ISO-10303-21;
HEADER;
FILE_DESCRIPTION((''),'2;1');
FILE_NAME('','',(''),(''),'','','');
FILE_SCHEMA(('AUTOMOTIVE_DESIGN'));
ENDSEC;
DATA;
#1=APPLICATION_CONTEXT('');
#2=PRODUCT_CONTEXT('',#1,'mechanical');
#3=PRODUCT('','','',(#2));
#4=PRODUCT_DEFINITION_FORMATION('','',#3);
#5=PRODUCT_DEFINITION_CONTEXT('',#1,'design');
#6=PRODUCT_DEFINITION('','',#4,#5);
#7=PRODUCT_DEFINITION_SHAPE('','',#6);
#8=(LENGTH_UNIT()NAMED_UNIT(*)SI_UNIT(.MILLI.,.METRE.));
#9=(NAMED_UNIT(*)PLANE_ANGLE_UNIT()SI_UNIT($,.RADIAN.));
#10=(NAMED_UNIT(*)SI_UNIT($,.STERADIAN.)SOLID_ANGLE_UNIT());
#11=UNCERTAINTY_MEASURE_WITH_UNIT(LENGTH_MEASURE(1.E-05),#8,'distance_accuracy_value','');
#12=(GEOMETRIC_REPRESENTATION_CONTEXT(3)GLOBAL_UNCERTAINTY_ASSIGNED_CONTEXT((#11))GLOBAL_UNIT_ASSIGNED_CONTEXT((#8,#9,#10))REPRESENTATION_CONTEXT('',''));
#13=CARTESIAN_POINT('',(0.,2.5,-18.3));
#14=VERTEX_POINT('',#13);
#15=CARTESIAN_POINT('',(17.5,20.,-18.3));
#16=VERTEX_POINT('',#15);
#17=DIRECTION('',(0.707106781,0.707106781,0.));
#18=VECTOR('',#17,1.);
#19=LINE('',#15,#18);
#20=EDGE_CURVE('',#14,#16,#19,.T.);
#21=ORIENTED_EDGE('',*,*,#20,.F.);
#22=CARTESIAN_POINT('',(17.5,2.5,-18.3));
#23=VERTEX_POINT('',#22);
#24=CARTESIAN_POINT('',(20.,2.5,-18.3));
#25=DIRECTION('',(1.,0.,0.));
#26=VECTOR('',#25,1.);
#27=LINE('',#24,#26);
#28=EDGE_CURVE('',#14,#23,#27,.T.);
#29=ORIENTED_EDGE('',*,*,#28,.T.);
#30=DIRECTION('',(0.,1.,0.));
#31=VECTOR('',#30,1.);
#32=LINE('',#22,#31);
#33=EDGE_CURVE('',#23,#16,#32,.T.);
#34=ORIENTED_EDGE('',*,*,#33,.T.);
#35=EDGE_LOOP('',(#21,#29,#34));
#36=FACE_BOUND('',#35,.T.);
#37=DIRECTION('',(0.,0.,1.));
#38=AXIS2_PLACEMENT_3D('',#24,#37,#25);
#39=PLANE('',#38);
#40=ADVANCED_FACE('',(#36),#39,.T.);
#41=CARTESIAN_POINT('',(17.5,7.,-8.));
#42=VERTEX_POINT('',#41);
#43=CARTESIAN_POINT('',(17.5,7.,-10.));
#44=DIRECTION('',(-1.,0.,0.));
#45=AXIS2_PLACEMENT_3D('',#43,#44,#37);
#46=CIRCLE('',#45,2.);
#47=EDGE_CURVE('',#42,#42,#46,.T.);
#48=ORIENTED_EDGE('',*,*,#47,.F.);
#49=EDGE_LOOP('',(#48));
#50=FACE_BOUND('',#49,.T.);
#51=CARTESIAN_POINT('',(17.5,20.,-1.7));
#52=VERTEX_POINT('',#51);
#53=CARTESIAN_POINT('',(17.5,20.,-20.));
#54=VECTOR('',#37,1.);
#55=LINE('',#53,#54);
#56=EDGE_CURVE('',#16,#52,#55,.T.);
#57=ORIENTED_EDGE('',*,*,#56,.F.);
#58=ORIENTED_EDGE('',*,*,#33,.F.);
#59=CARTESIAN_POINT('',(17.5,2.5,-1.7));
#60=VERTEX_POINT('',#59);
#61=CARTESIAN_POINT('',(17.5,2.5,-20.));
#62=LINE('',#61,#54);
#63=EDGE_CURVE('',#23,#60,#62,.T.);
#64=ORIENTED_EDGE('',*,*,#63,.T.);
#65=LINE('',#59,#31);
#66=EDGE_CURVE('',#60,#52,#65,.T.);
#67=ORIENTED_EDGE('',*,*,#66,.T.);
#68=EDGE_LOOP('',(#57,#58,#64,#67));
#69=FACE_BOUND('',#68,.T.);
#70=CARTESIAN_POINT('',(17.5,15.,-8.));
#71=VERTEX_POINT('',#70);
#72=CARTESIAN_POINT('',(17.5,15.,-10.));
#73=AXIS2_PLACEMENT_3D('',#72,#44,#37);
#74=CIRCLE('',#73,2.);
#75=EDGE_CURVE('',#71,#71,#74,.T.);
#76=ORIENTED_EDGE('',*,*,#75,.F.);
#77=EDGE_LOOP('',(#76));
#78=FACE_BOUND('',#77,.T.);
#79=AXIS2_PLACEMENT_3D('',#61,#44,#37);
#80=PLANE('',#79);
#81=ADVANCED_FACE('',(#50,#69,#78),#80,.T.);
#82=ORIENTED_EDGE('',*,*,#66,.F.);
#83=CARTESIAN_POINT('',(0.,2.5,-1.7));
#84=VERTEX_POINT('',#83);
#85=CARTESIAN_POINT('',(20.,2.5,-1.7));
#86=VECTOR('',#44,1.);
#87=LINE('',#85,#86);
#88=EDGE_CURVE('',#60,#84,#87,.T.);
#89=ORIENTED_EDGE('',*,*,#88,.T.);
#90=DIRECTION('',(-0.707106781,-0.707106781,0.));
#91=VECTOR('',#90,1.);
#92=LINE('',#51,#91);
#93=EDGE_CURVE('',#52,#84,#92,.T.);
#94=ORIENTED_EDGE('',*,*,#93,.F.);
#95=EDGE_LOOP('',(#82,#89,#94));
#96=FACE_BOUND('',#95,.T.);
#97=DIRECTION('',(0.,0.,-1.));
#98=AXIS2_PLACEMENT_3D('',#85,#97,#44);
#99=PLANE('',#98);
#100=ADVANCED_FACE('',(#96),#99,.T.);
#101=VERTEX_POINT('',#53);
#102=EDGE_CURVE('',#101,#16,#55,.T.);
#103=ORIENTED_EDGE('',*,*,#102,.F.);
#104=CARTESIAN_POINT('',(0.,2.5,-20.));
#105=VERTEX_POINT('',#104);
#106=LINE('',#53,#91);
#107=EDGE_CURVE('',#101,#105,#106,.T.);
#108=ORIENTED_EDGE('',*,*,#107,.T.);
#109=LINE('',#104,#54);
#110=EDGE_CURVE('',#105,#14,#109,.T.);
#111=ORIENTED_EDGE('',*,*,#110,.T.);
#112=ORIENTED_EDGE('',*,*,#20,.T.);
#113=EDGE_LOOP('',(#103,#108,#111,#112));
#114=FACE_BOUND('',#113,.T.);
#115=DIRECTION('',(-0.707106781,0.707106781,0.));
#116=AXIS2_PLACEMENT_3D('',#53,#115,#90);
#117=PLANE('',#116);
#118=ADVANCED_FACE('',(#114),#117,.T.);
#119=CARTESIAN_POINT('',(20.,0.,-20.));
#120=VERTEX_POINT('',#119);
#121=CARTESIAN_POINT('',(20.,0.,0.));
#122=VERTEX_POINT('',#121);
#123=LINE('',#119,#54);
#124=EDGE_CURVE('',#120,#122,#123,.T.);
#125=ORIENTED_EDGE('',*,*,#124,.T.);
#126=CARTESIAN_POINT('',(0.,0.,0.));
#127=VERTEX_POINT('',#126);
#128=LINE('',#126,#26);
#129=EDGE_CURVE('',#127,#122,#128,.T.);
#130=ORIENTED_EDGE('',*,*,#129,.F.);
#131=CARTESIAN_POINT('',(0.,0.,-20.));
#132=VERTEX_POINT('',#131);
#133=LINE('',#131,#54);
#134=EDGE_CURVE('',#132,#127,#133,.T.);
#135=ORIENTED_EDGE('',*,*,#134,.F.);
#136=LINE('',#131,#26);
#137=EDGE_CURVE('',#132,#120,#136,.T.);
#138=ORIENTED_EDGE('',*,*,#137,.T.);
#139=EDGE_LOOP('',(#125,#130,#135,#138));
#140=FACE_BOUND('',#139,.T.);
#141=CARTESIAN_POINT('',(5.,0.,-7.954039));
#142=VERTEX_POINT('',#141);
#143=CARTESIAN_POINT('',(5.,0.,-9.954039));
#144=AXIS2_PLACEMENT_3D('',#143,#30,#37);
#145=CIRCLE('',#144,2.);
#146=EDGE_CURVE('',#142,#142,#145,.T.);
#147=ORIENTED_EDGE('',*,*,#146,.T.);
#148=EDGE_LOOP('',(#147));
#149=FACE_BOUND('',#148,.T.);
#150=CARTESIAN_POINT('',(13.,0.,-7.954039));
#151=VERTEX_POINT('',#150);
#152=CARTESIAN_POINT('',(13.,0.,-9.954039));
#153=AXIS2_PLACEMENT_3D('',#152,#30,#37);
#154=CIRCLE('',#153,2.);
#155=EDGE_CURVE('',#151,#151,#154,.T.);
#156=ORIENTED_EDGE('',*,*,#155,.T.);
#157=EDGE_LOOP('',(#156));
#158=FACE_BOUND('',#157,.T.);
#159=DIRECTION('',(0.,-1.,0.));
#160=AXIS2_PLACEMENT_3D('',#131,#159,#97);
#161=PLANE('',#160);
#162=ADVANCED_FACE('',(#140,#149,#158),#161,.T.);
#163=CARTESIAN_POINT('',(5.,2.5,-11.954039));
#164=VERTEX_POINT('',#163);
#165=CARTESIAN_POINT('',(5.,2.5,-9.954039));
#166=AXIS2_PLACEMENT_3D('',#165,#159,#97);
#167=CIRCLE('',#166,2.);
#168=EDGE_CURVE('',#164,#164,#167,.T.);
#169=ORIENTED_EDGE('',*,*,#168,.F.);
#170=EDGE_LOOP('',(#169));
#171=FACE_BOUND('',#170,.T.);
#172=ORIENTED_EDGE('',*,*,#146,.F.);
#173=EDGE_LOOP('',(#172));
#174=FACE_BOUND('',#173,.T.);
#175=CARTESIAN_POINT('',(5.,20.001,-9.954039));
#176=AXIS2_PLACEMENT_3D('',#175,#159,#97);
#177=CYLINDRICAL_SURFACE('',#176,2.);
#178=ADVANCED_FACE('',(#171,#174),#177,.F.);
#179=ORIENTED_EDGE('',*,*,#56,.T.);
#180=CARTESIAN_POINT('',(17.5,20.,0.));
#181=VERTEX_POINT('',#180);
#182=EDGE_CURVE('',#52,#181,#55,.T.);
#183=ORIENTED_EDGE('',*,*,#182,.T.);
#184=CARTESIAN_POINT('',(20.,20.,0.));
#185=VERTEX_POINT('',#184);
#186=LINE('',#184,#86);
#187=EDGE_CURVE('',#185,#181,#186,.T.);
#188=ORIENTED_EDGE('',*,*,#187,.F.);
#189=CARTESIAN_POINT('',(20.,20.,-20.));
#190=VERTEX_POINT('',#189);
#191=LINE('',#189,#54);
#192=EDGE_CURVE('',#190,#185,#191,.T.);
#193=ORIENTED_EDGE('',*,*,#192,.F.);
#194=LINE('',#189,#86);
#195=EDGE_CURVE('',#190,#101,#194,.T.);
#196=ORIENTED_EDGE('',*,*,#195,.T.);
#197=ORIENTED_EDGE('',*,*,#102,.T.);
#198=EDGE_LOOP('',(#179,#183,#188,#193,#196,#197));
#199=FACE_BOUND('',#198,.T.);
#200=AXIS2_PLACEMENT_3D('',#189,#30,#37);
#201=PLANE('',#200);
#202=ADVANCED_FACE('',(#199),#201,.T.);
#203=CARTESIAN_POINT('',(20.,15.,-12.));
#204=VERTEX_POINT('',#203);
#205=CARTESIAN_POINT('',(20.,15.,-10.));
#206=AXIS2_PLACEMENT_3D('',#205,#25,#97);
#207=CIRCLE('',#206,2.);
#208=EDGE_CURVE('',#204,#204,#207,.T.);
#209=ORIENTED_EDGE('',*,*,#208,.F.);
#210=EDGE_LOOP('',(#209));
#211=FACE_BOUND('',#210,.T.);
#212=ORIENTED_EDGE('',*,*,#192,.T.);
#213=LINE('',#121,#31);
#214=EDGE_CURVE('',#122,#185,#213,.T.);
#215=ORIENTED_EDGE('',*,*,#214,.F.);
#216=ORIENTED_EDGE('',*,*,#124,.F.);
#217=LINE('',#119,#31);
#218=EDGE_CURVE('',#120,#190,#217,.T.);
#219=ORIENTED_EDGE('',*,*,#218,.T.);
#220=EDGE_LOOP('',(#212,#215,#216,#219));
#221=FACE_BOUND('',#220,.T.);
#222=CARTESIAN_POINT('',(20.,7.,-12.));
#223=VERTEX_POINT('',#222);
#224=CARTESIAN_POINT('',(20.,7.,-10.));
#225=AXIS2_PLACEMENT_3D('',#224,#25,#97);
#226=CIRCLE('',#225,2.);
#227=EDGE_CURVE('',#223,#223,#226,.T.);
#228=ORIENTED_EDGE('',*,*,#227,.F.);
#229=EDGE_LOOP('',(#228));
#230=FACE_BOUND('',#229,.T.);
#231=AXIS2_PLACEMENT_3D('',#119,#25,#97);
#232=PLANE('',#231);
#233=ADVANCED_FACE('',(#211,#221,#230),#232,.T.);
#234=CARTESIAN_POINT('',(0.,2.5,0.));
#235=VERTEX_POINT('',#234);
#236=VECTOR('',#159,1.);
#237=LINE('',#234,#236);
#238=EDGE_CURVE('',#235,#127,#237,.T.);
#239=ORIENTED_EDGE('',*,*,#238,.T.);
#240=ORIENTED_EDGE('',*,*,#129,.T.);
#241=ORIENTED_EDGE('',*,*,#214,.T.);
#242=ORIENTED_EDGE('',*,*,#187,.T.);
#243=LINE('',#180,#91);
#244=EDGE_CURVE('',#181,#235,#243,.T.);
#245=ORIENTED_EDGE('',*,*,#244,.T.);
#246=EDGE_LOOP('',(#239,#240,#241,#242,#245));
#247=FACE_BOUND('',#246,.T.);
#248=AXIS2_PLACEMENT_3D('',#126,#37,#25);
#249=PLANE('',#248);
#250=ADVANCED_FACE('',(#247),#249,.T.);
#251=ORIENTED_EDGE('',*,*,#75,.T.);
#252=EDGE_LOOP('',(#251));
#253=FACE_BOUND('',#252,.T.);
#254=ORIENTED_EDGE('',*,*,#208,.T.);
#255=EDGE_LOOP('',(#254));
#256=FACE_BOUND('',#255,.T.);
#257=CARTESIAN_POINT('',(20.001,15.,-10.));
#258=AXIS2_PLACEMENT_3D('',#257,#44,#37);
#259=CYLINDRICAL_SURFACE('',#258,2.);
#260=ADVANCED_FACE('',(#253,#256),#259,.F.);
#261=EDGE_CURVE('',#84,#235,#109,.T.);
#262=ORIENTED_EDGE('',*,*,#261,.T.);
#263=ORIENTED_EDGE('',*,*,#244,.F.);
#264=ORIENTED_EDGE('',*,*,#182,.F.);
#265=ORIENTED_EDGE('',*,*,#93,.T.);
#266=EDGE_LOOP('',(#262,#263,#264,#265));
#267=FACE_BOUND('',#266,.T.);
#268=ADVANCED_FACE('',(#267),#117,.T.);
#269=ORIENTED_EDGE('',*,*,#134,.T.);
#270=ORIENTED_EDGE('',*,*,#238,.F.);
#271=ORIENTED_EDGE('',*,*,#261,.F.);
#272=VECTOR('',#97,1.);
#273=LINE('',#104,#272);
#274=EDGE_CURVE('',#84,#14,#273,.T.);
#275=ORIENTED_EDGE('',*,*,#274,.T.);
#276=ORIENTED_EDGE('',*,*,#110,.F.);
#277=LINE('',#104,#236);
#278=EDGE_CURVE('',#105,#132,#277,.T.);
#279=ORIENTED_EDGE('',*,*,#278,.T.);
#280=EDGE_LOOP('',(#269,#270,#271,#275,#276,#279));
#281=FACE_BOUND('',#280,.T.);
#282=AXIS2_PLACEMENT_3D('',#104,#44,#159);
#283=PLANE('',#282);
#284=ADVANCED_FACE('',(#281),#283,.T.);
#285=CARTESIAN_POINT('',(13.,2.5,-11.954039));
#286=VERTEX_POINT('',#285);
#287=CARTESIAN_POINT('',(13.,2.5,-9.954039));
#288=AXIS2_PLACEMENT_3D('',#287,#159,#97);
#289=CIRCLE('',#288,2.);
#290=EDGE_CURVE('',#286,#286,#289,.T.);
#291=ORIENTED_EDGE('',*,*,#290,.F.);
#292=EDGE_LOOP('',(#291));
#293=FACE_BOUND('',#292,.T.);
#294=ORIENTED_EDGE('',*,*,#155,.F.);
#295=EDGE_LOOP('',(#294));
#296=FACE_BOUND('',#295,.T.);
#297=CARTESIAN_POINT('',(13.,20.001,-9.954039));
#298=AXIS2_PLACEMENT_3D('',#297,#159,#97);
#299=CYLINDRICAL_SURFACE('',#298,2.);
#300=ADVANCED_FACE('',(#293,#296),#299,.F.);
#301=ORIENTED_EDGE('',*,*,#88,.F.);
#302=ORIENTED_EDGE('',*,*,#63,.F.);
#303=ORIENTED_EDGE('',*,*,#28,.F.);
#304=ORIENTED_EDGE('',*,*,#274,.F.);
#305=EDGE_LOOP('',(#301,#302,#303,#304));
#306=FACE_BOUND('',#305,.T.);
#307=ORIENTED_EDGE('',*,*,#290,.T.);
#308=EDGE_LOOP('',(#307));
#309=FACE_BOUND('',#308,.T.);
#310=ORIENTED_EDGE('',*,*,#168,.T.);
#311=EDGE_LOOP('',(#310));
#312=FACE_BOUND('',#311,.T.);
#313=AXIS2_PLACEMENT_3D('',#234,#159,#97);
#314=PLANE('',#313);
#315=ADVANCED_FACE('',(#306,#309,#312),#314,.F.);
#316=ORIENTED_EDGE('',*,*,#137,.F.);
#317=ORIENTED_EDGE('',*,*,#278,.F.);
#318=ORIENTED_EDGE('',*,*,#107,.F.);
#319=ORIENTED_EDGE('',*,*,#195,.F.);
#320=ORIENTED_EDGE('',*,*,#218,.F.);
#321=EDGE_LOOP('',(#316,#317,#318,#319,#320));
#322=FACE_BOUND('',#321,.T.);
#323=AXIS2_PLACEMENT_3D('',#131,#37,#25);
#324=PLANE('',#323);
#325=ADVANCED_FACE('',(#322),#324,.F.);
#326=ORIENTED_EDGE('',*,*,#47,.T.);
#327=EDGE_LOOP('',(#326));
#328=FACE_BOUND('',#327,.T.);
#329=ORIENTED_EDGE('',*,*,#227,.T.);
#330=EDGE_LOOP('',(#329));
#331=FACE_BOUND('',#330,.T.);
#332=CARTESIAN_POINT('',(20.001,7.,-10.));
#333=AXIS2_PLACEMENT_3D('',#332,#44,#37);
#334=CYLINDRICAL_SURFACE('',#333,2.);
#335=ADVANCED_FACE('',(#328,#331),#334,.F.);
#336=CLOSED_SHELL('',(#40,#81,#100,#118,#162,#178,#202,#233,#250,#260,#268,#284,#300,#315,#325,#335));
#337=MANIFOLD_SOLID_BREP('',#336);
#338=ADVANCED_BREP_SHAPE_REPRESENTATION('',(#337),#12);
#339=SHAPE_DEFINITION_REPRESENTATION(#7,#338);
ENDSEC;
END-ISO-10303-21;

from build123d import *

# Parameters (mm, degrees)
EXTRUDE_1_DEPTH     = 20
CUT_EXTRUDE_START   = 20
SKETCH_2_W          = 17.5
SKETCH_2_H          = 16.6
CUT_EXTRUDE_1_DEPTH = 17.5
CUT_EXTRUDE_2_REACH = 36.641
SKETCH_3_R          = 2
CUT_EXTRUDE_3_REACH = 36.641
SKETCH_4_R          = 2


with BuildPart() as part:
    # 草图1 → 凸台-拉伸1 (new body)
    with BuildSketch(Plane.XY):
        Polygon((0, 0), (20, 0), (20, 20), (17.5, 20), (0, 2.5), align=None)
    extrude(amount=-EXTRUDE_1_DEPTH)

    # 草图2 → 切除-拉伸1 (cut)
    with BuildSketch(Plane(origin=(0, 0, 0), x_dir=(1, 0, 0), z_dir=(0, 1, 0)).offset(CUT_EXTRUDE_START)):
        with Locations((8.75, 10)):
            Rectangle(SKETCH_2_W, SKETCH_2_H)
    extrude(amount=-CUT_EXTRUDE_1_DEPTH, mode=Mode.SUBTRACT)

    # 草图3 → 切除-拉伸2 (cut, up to next)
    with BuildSketch(Plane(origin=(0, 0, 0), x_dir=(1, 0, 0), z_dir=(0, 1, 0)), mode=Mode.PRIVATE) as cut_extrude_2_sk1:
        with Locations(Location((5, 9.954039482, 0), (0, 0, 90))):
            Circle(SKETCH_3_R)
    cut_extrude_2_tool1 = extrude(cut_extrude_2_sk1.sketch, amount=CUT_EXTRUDE_2_REACH, mode=Mode.PRIVATE) & part.part
    # 草图3 → 切除-拉伸2 (cut, up to next)
    with BuildSketch(Plane(origin=(0, 0, 0), x_dir=(1, 0, 0), z_dir=(0, 1, 0)), mode=Mode.PRIVATE) as cut_extrude_2_sk2:
        with Locations(Location((13, 9.954039482, 0), (0, 0, 90))):
            Circle(SKETCH_3_R)
    cut_extrude_2_tool2 = extrude(cut_extrude_2_sk2.sketch, amount=CUT_EXTRUDE_2_REACH, mode=Mode.PRIVATE) & part.part
    add(cut_extrude_2_tool1.solids().sort_by_distance((5, 0, -9.954039))[0], mode=Mode.SUBTRACT)
    add(cut_extrude_2_tool2.solids().sort_by_distance((13, 0, -9.954039))[0], mode=Mode.SUBTRACT)

    # 草图4 → 切除-拉伸3 (cut, up to next)
    with BuildSketch(Plane(origin=(0, 0, 0), x_dir=(0, 0, -1), z_dir=(1, 0, 0)), mode=Mode.PRIVATE) as cut_extrude_3_sk1:
        with Locations(Location((10, 15, 0), (0, 0, 180))):
            Circle(SKETCH_4_R)
    cut_extrude_3_tool1 = extrude(cut_extrude_3_sk1.sketch, amount=CUT_EXTRUDE_3_REACH, mode=Mode.PRIVATE) & part.part
    # 草图4 → 切除-拉伸3 (cut, up to next)
    with BuildSketch(Plane(origin=(0, 0, 0), x_dir=(0, 0, -1), z_dir=(1, 0, 0)), mode=Mode.PRIVATE) as cut_extrude_3_sk2:
        with Locations(Location((10, 7, 0), (0, 0, 180))):
            Circle(SKETCH_4_R)
    cut_extrude_3_tool2 = extrude(cut_extrude_3_sk2.sketch, amount=CUT_EXTRUDE_3_REACH, mode=Mode.PRIVATE) & part.part
    add(cut_extrude_3_tool1.solids().sort_by_distance((0, 15, -10))[0], mode=Mode.SUBTRACT)
    add(cut_extrude_3_tool2.solids().sort_by_distance((0, 7, -10))[0], mode=Mode.SUBTRACT)


solid = part.part
